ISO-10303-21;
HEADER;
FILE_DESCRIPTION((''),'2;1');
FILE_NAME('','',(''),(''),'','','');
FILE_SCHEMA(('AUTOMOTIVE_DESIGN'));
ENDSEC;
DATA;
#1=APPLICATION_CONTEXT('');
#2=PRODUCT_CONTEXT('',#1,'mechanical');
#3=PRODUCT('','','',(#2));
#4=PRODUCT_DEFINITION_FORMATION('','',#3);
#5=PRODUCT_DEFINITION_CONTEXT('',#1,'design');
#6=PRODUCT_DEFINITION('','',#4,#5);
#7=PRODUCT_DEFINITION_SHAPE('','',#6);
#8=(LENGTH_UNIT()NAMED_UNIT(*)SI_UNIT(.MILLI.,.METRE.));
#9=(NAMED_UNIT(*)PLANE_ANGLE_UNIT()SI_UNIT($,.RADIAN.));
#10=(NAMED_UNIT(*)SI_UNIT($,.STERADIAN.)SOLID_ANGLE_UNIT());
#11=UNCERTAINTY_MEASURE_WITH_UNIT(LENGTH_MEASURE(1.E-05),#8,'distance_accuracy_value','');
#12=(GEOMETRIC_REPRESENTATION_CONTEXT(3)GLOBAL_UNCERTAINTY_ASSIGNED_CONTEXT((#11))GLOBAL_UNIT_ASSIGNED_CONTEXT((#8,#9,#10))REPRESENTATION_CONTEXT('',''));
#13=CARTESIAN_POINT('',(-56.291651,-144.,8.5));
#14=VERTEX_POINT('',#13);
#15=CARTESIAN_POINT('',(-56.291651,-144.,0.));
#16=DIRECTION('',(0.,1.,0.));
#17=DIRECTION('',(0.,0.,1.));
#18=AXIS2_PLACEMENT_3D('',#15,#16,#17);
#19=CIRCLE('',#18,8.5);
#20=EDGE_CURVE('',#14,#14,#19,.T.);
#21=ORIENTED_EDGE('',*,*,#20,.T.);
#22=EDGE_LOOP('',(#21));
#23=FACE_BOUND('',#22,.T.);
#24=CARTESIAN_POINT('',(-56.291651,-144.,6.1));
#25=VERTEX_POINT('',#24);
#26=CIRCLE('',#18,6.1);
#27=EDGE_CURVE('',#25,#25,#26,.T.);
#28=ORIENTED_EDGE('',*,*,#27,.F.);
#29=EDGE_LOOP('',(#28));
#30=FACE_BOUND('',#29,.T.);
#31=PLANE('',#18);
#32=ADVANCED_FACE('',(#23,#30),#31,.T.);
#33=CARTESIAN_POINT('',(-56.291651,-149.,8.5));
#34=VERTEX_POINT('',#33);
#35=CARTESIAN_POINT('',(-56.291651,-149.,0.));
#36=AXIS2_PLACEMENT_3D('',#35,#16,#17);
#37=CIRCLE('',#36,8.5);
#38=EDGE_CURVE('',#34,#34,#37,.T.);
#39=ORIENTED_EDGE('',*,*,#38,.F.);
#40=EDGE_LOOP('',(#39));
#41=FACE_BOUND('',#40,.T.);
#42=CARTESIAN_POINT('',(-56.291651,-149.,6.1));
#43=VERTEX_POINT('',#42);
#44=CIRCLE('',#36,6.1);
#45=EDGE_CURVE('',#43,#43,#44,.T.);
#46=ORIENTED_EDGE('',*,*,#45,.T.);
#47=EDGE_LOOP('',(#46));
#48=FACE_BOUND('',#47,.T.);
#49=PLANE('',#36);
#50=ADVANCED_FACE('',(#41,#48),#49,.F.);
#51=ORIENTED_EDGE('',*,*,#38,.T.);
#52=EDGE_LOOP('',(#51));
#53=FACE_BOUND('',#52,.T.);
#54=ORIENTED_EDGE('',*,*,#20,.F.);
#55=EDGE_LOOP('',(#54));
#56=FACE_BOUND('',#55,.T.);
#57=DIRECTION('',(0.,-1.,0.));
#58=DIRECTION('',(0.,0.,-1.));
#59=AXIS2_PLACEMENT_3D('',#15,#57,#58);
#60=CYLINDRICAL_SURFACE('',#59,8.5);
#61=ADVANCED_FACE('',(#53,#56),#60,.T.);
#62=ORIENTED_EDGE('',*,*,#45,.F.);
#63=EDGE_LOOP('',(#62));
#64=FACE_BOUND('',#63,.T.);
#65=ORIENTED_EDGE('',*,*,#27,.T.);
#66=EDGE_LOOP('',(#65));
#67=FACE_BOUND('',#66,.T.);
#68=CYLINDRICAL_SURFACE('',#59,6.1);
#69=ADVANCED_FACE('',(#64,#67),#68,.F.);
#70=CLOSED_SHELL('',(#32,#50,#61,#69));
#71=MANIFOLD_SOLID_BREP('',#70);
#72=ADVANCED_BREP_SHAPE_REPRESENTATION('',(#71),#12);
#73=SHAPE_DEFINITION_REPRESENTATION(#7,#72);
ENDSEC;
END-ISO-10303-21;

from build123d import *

# Parameters (mm, degrees)
SPACER_RING_SKETCH_R   = 8.5
SPACER_RING_SKETCH_R_2 = 6.1
SPACER_RING_DEPTH      = 5


with BuildPart() as part:
    # Spacer ring sketch → Spacer ring (new body)
    with BuildSketch(Plane(origin=(0, -149, 0), x_dir=(1, 0, 0), z_dir=(0, 1, 0))):
        with Locations(Location((-56.291651246, 0, 0), (0, 0, 270))):
            Circle(SPACER_RING_SKETCH_R)
        with Locations(Location((-56.291651246, 0, 0), (0, 0, 270))):
            Circle(SPACER_RING_SKETCH_R_2, mode=Mode.SUBTRACT)
    extrude(amount=SPACER_RING_DEPTH)


solid = part.part
